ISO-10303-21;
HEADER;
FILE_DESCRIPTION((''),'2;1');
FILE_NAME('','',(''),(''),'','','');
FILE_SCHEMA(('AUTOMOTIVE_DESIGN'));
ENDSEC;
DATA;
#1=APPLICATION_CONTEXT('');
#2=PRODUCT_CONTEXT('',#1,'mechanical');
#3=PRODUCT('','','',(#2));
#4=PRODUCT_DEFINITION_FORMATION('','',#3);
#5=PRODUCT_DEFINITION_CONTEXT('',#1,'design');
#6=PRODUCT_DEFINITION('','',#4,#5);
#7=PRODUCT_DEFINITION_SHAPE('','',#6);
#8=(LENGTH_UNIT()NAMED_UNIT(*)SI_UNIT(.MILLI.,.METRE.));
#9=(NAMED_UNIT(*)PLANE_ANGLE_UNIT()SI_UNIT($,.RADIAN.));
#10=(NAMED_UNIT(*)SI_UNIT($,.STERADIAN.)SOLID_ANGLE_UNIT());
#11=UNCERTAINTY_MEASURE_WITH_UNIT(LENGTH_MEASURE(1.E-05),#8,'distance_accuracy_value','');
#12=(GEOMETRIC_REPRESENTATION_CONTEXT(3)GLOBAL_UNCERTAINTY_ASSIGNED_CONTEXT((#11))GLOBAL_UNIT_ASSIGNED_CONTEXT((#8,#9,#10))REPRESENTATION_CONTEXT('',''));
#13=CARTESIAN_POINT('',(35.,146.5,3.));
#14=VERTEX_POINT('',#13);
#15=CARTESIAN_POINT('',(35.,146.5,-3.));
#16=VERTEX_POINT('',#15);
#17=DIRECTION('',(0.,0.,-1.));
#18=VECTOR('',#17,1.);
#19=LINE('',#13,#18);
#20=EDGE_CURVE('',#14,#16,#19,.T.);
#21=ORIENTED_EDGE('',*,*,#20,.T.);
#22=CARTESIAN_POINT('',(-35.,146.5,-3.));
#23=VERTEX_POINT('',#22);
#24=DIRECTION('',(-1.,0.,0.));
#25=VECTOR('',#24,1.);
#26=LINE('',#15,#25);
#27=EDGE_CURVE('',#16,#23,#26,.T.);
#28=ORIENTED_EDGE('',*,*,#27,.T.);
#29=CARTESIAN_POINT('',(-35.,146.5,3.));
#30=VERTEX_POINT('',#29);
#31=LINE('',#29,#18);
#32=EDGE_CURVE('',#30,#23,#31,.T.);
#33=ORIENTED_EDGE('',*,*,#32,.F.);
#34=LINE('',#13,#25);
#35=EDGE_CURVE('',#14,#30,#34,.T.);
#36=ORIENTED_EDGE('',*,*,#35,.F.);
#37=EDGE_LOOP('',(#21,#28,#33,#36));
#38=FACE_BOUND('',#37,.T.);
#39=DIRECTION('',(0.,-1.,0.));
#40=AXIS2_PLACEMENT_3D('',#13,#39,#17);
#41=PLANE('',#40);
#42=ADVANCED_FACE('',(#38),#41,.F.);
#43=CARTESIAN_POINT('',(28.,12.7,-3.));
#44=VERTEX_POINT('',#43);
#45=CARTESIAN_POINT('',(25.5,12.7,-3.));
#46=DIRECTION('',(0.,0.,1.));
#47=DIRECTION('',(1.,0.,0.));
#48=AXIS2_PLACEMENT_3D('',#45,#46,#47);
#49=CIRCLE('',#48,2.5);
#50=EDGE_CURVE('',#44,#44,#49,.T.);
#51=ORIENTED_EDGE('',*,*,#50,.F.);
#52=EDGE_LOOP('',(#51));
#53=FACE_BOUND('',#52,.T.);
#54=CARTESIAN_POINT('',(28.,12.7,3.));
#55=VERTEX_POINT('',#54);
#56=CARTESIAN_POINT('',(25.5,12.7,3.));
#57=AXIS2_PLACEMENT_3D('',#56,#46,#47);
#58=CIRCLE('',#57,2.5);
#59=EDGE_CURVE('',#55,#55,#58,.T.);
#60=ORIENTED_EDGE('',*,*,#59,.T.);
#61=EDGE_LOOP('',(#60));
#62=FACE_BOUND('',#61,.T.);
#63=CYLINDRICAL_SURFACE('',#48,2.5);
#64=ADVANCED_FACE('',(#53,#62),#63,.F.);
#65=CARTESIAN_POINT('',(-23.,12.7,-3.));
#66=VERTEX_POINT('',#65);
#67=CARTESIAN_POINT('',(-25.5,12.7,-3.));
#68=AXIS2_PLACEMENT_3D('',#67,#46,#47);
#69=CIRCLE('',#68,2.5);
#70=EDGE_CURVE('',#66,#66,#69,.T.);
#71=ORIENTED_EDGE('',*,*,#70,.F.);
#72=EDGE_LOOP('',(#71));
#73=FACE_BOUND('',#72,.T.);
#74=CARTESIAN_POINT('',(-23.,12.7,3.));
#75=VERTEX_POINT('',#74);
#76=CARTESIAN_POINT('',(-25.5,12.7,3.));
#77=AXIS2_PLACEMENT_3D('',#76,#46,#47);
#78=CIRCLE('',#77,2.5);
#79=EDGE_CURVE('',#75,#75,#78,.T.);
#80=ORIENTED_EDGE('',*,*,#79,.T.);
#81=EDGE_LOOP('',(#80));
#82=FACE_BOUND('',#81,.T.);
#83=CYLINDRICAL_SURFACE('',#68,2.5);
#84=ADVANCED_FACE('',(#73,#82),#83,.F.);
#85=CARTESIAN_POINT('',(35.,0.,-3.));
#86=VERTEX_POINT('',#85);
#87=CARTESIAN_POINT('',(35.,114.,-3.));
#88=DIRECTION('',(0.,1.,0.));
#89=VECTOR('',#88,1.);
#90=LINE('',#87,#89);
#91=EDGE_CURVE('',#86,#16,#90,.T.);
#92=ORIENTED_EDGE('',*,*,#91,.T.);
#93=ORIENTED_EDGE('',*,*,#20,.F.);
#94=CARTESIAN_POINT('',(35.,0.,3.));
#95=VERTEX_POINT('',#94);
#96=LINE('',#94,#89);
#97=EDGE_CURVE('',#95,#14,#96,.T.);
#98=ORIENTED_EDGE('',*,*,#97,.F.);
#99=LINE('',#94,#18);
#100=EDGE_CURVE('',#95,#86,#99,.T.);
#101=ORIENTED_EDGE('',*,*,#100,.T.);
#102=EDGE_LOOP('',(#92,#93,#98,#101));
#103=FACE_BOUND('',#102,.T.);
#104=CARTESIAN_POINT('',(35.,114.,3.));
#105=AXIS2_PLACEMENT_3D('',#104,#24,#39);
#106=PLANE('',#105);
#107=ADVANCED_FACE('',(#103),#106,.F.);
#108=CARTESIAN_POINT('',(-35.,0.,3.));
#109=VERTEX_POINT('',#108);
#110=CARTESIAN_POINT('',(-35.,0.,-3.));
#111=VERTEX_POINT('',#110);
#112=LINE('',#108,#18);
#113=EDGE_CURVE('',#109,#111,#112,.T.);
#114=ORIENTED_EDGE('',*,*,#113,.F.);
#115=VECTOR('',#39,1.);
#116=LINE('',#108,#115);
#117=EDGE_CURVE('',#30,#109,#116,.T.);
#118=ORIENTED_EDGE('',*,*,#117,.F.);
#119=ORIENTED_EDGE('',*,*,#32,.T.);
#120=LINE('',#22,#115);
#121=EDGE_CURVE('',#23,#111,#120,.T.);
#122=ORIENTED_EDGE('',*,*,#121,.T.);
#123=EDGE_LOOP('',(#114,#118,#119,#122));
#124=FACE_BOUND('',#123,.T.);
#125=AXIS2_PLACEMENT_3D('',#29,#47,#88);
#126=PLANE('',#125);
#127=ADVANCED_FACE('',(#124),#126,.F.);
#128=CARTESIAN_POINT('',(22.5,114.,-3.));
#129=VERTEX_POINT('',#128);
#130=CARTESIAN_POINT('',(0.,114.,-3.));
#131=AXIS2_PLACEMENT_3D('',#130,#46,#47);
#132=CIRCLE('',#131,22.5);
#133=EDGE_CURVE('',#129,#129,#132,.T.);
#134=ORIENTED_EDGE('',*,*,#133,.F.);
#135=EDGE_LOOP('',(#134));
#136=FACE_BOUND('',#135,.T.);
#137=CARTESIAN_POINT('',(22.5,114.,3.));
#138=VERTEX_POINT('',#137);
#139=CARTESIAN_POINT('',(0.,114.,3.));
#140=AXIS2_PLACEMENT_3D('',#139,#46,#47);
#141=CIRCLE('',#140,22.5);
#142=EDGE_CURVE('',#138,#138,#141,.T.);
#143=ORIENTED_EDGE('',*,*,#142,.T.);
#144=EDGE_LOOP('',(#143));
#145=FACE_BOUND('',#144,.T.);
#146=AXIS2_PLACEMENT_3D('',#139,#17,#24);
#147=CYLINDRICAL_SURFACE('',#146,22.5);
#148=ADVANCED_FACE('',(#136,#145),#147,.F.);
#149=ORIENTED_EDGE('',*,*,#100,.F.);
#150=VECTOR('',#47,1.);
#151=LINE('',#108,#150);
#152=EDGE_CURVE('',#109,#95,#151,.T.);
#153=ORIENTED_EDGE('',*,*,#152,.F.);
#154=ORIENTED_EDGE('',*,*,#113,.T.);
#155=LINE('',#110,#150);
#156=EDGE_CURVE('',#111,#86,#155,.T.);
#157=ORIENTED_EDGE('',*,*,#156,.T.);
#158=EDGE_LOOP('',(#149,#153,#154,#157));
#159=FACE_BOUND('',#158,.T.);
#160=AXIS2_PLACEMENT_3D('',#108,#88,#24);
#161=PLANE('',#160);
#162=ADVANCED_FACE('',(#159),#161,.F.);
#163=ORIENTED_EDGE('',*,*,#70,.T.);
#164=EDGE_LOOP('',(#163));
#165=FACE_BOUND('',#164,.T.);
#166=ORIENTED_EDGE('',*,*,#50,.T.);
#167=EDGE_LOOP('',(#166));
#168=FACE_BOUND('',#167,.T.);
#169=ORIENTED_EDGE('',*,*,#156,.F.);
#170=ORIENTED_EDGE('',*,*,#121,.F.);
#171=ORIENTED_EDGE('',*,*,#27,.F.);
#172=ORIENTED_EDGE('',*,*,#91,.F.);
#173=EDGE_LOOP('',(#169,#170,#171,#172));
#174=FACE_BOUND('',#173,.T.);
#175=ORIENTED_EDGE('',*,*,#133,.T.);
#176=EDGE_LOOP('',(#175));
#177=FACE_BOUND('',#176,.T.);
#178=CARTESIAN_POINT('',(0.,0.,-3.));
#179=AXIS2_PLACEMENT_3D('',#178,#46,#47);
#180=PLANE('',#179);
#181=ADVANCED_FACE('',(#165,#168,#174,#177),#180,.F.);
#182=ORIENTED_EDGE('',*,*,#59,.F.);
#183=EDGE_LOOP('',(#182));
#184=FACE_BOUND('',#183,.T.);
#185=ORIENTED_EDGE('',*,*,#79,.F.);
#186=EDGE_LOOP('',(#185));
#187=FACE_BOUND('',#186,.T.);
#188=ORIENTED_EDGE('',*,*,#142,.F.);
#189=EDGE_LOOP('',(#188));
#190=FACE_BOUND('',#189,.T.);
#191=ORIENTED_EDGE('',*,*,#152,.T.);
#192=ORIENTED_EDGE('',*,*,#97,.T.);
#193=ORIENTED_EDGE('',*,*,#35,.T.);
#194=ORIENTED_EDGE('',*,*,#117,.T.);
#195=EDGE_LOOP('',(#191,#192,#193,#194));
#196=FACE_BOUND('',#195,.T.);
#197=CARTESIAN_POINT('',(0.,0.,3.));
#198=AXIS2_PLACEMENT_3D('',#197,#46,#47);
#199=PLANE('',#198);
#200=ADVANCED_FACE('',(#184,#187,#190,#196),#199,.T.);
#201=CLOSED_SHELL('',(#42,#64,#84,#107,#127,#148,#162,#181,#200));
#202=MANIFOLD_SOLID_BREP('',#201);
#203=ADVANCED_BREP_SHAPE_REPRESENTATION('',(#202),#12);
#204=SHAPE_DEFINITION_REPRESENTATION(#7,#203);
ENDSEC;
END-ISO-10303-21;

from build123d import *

# Parameters (mm, degrees)
SKETCH2_R           = 22.5
BOSS_EXTRUDE1_DEPTH = 3
SKETCH3_R           = 2.5
CUT_EXTRUDE1_DEPTH  = 6


with BuildPart() as part:
    # Sketch2 → Boss-Extrude1 (new, symmetric)
    with BuildSketch(Plane.XY):
        Polygon((-35, 0), (35, 0), (35, 114), (35, 146.5), (-35, 146.5), (-35, 114), align=None)
        with Locations((0, 114)):
            Circle(SKETCH2_R, mode=Mode.SUBTRACT)
    extrude(amount=BOSS_EXTRUDE1_DEPTH, both=True)

    # Sketch3 → Cut-Extrude1 (cut)
    with BuildSketch(Plane.XY.offset(3)):
        with Locations((-25.5, 12.7)):
            Circle(SKETCH3_R)
        with Locations((25.5, 12.7)):
            Circle(SKETCH3_R)
    extrude(amount=-CUT_EXTRUDE1_DEPTH, mode=Mode.SUBTRACT)


solid = part.part
